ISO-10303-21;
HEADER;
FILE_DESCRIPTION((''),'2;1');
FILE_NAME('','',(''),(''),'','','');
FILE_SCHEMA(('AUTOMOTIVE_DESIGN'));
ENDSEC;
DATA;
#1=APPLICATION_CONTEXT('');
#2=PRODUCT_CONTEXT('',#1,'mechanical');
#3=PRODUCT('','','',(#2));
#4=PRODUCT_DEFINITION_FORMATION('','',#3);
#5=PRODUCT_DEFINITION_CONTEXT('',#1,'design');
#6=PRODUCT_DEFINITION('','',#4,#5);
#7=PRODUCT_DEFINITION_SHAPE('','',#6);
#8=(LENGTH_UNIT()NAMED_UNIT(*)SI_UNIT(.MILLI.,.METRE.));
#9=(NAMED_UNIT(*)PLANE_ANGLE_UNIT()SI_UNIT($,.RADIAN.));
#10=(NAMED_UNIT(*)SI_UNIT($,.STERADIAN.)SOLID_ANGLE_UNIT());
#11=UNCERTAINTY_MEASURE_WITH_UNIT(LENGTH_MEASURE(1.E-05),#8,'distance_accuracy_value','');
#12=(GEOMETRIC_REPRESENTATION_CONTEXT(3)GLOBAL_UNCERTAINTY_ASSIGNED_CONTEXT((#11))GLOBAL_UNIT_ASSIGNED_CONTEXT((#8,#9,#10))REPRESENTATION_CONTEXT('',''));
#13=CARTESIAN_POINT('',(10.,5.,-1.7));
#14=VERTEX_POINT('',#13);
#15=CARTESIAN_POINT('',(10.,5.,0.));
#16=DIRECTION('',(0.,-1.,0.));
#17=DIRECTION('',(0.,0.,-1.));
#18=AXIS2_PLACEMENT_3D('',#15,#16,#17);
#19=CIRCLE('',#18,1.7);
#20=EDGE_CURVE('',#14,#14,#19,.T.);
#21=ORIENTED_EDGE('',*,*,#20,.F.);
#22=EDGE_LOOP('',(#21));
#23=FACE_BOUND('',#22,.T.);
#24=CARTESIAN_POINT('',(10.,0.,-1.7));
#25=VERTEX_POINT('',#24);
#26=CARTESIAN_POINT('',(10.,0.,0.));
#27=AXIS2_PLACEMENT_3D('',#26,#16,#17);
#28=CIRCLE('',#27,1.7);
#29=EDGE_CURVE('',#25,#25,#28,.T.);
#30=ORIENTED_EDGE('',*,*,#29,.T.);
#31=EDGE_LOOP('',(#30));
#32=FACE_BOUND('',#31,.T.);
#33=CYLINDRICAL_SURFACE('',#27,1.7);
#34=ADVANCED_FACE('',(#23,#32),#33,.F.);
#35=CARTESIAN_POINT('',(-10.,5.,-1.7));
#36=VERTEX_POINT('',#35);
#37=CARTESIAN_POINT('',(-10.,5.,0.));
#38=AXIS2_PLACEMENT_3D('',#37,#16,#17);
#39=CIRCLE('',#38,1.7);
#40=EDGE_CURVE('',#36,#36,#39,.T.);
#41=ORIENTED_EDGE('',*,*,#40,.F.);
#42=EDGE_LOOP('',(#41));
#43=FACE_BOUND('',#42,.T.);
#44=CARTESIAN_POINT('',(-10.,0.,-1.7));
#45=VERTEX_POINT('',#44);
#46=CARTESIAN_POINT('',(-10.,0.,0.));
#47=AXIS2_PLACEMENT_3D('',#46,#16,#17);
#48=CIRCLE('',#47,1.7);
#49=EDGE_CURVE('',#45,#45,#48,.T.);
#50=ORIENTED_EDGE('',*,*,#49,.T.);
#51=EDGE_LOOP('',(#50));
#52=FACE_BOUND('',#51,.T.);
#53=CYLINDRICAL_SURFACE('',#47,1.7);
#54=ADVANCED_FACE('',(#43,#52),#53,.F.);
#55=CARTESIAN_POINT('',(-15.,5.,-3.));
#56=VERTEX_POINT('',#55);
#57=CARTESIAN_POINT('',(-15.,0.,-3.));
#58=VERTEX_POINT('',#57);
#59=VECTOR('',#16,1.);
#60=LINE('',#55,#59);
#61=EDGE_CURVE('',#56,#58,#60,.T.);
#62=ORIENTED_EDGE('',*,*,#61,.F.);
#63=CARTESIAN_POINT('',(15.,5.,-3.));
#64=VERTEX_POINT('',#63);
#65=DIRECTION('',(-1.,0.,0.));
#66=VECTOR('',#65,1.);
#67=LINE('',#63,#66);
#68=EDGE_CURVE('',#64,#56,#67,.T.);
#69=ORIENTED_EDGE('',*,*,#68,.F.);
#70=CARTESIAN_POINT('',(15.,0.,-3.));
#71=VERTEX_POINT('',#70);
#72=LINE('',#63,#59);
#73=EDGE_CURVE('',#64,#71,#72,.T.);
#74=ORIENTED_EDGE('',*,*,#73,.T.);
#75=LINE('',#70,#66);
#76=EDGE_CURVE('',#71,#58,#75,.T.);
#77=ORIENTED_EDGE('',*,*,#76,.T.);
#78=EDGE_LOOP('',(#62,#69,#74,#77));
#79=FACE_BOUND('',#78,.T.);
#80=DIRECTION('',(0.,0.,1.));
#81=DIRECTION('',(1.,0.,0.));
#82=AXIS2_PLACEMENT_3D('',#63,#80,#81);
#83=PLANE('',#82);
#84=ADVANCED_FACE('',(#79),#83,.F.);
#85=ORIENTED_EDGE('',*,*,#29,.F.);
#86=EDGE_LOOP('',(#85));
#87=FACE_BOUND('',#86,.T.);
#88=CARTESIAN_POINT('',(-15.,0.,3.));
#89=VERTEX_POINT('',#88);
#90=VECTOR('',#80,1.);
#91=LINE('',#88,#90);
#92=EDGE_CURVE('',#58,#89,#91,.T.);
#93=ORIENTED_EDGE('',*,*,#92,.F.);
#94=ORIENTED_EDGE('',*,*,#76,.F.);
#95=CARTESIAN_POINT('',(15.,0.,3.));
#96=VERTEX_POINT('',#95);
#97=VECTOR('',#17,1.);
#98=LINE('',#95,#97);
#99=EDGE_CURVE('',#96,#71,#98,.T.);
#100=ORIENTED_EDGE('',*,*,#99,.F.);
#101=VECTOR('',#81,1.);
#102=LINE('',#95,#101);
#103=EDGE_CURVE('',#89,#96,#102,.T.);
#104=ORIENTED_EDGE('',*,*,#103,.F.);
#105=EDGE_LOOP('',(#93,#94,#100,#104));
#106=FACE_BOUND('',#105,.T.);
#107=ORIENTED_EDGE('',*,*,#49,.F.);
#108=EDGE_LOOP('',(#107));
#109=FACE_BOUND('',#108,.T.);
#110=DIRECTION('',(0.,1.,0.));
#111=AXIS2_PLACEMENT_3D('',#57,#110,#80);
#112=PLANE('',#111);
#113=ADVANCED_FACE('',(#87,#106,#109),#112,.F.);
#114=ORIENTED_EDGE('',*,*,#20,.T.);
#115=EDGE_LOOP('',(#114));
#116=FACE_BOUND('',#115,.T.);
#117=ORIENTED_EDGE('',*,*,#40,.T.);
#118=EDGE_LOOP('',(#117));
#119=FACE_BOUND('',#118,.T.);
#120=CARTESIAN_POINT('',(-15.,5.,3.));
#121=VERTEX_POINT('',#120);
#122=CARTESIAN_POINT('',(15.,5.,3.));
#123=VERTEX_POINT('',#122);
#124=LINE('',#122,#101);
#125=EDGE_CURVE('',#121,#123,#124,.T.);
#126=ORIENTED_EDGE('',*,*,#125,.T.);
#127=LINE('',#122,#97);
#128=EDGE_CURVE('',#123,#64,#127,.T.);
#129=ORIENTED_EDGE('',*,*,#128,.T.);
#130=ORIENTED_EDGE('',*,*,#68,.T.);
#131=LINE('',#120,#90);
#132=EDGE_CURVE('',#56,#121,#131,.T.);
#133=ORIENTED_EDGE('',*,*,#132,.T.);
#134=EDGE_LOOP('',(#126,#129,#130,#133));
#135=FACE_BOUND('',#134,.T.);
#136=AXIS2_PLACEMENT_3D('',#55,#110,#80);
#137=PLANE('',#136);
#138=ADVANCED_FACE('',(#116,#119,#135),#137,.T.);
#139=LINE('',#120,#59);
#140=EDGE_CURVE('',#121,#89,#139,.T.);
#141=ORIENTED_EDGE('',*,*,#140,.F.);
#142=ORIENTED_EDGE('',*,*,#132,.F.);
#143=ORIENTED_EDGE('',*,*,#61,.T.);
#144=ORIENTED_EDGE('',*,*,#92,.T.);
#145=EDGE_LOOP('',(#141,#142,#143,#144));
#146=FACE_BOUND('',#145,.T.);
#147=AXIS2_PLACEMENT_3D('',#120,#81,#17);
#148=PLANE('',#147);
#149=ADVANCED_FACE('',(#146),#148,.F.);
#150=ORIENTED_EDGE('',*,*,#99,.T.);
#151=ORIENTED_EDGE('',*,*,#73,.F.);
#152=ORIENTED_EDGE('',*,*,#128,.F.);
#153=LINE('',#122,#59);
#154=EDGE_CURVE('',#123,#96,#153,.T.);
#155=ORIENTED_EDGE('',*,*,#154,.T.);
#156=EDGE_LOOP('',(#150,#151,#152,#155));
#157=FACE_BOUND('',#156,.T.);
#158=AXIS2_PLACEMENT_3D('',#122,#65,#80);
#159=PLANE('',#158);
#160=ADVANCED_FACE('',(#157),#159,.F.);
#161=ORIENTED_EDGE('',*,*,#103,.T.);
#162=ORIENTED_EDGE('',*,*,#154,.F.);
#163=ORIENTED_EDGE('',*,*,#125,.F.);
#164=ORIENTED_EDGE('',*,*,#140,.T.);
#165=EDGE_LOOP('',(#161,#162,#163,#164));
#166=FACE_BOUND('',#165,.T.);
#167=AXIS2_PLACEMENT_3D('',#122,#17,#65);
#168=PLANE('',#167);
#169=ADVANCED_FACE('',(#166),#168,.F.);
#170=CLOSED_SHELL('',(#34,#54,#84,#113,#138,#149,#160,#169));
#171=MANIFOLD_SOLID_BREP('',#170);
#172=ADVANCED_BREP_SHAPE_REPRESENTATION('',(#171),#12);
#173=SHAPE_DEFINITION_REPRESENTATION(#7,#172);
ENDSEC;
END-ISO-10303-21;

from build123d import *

# Parameters (mm, degrees)
ESQUISSE1_W          = 30
ESQUISSE1_H          = 6
BOSS_EXTRU_1_DEPTH   = 5
D_GAGEMENT_M31_D     = 3.4
D_GAGEMENT_M31_DEPTH = 5
D_GAGEMENT_M31_TIP   = 1.021463052


with BuildPart() as part:
    # Esquisse1 → Boss.-Extru.1 (new body)
    with BuildSketch(Plane(origin=(0, 0, 0), x_dir=(1, 0, 0), z_dir=(0, 1, 0))):
        Rectangle(ESQUISSE1_W, ESQUISSE1_H)
    extrude(amount=BOSS_EXTRU_1_DEPTH)

    # Dégagement M31
    with Locations(Plane.XZ):
        with Locations((10, 0), (-10, 0)):
            Hole(D_GAGEMENT_M31_D / 2, depth=D_GAGEMENT_M31_DEPTH)
            with Locations((0, 0, -(D_GAGEMENT_M31_DEPTH + D_GAGEMENT_M31_TIP / 2))):  # 118° drill point
                Cone(0, D_GAGEMENT_M31_D / 2, D_GAGEMENT_M31_TIP, mode=Mode.SUBTRACT)


solid = part.part
